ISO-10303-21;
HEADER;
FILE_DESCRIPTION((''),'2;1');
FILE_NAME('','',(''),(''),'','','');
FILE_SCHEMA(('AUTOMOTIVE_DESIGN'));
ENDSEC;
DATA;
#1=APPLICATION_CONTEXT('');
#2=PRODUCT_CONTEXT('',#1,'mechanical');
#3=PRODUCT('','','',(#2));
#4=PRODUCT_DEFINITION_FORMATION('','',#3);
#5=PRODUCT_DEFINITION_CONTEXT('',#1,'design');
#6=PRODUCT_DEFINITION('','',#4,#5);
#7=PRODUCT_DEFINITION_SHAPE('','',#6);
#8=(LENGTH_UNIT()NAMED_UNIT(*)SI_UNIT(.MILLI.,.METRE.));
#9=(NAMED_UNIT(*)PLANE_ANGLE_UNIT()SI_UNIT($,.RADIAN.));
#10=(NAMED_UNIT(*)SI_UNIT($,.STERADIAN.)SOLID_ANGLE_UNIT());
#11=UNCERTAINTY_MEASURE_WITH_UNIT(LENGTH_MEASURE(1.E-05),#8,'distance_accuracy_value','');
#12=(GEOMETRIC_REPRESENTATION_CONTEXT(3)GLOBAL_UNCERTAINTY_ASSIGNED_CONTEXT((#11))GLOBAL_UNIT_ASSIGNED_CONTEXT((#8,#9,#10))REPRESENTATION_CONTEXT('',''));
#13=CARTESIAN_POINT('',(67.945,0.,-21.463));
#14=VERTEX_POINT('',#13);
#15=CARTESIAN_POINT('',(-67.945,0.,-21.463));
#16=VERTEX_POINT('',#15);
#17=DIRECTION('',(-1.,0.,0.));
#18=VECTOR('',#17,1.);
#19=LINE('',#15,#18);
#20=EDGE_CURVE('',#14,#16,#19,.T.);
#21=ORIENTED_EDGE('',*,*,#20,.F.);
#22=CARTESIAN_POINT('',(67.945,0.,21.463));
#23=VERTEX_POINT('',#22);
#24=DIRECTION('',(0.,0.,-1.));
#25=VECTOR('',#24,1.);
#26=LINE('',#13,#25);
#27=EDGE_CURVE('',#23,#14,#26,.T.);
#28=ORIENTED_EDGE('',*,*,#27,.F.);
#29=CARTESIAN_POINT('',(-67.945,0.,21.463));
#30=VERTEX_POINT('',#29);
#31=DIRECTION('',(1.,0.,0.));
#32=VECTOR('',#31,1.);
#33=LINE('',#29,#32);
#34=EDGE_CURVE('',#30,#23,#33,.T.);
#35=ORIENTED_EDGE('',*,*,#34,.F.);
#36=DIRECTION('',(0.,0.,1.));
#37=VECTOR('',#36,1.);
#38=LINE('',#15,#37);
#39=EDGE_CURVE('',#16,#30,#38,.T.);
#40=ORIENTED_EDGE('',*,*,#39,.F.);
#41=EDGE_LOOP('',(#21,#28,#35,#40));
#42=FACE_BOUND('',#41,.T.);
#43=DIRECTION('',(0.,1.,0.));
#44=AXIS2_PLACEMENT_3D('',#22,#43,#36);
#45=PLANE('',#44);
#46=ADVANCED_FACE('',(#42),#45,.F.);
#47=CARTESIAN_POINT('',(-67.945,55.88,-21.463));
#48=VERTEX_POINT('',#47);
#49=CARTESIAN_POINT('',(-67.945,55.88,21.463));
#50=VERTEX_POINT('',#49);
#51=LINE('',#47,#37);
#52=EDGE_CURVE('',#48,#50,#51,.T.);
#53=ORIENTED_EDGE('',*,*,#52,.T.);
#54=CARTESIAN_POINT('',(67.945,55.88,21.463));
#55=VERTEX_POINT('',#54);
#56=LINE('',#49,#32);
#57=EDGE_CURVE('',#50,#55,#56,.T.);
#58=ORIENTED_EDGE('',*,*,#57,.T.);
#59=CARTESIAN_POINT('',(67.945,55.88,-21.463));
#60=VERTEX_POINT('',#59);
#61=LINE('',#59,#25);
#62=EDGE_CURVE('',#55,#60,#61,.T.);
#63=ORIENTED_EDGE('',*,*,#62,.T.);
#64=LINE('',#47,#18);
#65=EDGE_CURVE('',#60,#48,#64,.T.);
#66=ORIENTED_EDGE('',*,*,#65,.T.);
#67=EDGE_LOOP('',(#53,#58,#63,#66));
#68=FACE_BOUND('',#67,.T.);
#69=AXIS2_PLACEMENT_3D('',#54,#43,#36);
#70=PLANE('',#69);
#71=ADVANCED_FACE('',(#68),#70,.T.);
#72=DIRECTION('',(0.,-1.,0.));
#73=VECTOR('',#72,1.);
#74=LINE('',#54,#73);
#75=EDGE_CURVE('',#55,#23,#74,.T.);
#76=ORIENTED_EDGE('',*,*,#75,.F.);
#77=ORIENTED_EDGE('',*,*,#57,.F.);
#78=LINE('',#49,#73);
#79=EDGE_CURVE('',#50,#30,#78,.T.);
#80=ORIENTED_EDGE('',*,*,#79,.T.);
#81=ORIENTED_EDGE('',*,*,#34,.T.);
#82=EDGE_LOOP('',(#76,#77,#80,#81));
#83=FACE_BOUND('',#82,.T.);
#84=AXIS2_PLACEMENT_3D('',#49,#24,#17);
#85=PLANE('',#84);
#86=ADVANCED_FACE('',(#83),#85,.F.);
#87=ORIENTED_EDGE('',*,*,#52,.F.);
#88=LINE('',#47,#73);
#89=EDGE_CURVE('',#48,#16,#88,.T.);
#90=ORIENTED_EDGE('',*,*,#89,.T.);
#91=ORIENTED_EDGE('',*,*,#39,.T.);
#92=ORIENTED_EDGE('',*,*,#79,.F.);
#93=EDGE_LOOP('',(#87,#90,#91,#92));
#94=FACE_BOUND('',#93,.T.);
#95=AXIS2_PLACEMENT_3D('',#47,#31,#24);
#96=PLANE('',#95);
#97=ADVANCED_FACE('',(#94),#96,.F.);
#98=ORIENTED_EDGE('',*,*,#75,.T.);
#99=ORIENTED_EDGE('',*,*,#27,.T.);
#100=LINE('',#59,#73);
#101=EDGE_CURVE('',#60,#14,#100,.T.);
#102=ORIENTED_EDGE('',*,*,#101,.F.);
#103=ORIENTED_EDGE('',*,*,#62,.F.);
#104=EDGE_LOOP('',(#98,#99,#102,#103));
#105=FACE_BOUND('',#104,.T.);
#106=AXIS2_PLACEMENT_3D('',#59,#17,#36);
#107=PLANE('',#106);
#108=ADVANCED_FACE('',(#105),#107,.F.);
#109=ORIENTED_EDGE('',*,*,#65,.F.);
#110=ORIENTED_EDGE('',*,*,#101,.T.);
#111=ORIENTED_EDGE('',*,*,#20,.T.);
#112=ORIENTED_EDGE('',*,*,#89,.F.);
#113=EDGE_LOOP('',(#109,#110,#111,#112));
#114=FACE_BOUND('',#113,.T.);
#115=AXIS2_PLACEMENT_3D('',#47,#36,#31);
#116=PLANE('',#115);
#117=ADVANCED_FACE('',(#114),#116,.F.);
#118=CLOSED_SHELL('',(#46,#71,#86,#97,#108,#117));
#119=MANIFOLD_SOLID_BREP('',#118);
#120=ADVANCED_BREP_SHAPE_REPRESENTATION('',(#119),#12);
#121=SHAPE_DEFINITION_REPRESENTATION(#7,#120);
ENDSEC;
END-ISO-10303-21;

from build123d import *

# Parameters (mm, degrees)
SKETCH1_W           = 135.89
SKETCH1_H           = 42.926
BOSS_EXTRUDE1_DEPTH = 55.88


with BuildPart() as part:
    # Sketch1 → Boss-Extrude1 (new body)
    with BuildSketch(Plane(origin=(0, 0, 0), x_dir=(1, 0, 0), z_dir=(0, 1, 0))):
        Rectangle(SKETCH1_W, SKETCH1_H)
    extrude(amount=BOSS_EXTRUDE1_DEPTH)


solid = part.part
